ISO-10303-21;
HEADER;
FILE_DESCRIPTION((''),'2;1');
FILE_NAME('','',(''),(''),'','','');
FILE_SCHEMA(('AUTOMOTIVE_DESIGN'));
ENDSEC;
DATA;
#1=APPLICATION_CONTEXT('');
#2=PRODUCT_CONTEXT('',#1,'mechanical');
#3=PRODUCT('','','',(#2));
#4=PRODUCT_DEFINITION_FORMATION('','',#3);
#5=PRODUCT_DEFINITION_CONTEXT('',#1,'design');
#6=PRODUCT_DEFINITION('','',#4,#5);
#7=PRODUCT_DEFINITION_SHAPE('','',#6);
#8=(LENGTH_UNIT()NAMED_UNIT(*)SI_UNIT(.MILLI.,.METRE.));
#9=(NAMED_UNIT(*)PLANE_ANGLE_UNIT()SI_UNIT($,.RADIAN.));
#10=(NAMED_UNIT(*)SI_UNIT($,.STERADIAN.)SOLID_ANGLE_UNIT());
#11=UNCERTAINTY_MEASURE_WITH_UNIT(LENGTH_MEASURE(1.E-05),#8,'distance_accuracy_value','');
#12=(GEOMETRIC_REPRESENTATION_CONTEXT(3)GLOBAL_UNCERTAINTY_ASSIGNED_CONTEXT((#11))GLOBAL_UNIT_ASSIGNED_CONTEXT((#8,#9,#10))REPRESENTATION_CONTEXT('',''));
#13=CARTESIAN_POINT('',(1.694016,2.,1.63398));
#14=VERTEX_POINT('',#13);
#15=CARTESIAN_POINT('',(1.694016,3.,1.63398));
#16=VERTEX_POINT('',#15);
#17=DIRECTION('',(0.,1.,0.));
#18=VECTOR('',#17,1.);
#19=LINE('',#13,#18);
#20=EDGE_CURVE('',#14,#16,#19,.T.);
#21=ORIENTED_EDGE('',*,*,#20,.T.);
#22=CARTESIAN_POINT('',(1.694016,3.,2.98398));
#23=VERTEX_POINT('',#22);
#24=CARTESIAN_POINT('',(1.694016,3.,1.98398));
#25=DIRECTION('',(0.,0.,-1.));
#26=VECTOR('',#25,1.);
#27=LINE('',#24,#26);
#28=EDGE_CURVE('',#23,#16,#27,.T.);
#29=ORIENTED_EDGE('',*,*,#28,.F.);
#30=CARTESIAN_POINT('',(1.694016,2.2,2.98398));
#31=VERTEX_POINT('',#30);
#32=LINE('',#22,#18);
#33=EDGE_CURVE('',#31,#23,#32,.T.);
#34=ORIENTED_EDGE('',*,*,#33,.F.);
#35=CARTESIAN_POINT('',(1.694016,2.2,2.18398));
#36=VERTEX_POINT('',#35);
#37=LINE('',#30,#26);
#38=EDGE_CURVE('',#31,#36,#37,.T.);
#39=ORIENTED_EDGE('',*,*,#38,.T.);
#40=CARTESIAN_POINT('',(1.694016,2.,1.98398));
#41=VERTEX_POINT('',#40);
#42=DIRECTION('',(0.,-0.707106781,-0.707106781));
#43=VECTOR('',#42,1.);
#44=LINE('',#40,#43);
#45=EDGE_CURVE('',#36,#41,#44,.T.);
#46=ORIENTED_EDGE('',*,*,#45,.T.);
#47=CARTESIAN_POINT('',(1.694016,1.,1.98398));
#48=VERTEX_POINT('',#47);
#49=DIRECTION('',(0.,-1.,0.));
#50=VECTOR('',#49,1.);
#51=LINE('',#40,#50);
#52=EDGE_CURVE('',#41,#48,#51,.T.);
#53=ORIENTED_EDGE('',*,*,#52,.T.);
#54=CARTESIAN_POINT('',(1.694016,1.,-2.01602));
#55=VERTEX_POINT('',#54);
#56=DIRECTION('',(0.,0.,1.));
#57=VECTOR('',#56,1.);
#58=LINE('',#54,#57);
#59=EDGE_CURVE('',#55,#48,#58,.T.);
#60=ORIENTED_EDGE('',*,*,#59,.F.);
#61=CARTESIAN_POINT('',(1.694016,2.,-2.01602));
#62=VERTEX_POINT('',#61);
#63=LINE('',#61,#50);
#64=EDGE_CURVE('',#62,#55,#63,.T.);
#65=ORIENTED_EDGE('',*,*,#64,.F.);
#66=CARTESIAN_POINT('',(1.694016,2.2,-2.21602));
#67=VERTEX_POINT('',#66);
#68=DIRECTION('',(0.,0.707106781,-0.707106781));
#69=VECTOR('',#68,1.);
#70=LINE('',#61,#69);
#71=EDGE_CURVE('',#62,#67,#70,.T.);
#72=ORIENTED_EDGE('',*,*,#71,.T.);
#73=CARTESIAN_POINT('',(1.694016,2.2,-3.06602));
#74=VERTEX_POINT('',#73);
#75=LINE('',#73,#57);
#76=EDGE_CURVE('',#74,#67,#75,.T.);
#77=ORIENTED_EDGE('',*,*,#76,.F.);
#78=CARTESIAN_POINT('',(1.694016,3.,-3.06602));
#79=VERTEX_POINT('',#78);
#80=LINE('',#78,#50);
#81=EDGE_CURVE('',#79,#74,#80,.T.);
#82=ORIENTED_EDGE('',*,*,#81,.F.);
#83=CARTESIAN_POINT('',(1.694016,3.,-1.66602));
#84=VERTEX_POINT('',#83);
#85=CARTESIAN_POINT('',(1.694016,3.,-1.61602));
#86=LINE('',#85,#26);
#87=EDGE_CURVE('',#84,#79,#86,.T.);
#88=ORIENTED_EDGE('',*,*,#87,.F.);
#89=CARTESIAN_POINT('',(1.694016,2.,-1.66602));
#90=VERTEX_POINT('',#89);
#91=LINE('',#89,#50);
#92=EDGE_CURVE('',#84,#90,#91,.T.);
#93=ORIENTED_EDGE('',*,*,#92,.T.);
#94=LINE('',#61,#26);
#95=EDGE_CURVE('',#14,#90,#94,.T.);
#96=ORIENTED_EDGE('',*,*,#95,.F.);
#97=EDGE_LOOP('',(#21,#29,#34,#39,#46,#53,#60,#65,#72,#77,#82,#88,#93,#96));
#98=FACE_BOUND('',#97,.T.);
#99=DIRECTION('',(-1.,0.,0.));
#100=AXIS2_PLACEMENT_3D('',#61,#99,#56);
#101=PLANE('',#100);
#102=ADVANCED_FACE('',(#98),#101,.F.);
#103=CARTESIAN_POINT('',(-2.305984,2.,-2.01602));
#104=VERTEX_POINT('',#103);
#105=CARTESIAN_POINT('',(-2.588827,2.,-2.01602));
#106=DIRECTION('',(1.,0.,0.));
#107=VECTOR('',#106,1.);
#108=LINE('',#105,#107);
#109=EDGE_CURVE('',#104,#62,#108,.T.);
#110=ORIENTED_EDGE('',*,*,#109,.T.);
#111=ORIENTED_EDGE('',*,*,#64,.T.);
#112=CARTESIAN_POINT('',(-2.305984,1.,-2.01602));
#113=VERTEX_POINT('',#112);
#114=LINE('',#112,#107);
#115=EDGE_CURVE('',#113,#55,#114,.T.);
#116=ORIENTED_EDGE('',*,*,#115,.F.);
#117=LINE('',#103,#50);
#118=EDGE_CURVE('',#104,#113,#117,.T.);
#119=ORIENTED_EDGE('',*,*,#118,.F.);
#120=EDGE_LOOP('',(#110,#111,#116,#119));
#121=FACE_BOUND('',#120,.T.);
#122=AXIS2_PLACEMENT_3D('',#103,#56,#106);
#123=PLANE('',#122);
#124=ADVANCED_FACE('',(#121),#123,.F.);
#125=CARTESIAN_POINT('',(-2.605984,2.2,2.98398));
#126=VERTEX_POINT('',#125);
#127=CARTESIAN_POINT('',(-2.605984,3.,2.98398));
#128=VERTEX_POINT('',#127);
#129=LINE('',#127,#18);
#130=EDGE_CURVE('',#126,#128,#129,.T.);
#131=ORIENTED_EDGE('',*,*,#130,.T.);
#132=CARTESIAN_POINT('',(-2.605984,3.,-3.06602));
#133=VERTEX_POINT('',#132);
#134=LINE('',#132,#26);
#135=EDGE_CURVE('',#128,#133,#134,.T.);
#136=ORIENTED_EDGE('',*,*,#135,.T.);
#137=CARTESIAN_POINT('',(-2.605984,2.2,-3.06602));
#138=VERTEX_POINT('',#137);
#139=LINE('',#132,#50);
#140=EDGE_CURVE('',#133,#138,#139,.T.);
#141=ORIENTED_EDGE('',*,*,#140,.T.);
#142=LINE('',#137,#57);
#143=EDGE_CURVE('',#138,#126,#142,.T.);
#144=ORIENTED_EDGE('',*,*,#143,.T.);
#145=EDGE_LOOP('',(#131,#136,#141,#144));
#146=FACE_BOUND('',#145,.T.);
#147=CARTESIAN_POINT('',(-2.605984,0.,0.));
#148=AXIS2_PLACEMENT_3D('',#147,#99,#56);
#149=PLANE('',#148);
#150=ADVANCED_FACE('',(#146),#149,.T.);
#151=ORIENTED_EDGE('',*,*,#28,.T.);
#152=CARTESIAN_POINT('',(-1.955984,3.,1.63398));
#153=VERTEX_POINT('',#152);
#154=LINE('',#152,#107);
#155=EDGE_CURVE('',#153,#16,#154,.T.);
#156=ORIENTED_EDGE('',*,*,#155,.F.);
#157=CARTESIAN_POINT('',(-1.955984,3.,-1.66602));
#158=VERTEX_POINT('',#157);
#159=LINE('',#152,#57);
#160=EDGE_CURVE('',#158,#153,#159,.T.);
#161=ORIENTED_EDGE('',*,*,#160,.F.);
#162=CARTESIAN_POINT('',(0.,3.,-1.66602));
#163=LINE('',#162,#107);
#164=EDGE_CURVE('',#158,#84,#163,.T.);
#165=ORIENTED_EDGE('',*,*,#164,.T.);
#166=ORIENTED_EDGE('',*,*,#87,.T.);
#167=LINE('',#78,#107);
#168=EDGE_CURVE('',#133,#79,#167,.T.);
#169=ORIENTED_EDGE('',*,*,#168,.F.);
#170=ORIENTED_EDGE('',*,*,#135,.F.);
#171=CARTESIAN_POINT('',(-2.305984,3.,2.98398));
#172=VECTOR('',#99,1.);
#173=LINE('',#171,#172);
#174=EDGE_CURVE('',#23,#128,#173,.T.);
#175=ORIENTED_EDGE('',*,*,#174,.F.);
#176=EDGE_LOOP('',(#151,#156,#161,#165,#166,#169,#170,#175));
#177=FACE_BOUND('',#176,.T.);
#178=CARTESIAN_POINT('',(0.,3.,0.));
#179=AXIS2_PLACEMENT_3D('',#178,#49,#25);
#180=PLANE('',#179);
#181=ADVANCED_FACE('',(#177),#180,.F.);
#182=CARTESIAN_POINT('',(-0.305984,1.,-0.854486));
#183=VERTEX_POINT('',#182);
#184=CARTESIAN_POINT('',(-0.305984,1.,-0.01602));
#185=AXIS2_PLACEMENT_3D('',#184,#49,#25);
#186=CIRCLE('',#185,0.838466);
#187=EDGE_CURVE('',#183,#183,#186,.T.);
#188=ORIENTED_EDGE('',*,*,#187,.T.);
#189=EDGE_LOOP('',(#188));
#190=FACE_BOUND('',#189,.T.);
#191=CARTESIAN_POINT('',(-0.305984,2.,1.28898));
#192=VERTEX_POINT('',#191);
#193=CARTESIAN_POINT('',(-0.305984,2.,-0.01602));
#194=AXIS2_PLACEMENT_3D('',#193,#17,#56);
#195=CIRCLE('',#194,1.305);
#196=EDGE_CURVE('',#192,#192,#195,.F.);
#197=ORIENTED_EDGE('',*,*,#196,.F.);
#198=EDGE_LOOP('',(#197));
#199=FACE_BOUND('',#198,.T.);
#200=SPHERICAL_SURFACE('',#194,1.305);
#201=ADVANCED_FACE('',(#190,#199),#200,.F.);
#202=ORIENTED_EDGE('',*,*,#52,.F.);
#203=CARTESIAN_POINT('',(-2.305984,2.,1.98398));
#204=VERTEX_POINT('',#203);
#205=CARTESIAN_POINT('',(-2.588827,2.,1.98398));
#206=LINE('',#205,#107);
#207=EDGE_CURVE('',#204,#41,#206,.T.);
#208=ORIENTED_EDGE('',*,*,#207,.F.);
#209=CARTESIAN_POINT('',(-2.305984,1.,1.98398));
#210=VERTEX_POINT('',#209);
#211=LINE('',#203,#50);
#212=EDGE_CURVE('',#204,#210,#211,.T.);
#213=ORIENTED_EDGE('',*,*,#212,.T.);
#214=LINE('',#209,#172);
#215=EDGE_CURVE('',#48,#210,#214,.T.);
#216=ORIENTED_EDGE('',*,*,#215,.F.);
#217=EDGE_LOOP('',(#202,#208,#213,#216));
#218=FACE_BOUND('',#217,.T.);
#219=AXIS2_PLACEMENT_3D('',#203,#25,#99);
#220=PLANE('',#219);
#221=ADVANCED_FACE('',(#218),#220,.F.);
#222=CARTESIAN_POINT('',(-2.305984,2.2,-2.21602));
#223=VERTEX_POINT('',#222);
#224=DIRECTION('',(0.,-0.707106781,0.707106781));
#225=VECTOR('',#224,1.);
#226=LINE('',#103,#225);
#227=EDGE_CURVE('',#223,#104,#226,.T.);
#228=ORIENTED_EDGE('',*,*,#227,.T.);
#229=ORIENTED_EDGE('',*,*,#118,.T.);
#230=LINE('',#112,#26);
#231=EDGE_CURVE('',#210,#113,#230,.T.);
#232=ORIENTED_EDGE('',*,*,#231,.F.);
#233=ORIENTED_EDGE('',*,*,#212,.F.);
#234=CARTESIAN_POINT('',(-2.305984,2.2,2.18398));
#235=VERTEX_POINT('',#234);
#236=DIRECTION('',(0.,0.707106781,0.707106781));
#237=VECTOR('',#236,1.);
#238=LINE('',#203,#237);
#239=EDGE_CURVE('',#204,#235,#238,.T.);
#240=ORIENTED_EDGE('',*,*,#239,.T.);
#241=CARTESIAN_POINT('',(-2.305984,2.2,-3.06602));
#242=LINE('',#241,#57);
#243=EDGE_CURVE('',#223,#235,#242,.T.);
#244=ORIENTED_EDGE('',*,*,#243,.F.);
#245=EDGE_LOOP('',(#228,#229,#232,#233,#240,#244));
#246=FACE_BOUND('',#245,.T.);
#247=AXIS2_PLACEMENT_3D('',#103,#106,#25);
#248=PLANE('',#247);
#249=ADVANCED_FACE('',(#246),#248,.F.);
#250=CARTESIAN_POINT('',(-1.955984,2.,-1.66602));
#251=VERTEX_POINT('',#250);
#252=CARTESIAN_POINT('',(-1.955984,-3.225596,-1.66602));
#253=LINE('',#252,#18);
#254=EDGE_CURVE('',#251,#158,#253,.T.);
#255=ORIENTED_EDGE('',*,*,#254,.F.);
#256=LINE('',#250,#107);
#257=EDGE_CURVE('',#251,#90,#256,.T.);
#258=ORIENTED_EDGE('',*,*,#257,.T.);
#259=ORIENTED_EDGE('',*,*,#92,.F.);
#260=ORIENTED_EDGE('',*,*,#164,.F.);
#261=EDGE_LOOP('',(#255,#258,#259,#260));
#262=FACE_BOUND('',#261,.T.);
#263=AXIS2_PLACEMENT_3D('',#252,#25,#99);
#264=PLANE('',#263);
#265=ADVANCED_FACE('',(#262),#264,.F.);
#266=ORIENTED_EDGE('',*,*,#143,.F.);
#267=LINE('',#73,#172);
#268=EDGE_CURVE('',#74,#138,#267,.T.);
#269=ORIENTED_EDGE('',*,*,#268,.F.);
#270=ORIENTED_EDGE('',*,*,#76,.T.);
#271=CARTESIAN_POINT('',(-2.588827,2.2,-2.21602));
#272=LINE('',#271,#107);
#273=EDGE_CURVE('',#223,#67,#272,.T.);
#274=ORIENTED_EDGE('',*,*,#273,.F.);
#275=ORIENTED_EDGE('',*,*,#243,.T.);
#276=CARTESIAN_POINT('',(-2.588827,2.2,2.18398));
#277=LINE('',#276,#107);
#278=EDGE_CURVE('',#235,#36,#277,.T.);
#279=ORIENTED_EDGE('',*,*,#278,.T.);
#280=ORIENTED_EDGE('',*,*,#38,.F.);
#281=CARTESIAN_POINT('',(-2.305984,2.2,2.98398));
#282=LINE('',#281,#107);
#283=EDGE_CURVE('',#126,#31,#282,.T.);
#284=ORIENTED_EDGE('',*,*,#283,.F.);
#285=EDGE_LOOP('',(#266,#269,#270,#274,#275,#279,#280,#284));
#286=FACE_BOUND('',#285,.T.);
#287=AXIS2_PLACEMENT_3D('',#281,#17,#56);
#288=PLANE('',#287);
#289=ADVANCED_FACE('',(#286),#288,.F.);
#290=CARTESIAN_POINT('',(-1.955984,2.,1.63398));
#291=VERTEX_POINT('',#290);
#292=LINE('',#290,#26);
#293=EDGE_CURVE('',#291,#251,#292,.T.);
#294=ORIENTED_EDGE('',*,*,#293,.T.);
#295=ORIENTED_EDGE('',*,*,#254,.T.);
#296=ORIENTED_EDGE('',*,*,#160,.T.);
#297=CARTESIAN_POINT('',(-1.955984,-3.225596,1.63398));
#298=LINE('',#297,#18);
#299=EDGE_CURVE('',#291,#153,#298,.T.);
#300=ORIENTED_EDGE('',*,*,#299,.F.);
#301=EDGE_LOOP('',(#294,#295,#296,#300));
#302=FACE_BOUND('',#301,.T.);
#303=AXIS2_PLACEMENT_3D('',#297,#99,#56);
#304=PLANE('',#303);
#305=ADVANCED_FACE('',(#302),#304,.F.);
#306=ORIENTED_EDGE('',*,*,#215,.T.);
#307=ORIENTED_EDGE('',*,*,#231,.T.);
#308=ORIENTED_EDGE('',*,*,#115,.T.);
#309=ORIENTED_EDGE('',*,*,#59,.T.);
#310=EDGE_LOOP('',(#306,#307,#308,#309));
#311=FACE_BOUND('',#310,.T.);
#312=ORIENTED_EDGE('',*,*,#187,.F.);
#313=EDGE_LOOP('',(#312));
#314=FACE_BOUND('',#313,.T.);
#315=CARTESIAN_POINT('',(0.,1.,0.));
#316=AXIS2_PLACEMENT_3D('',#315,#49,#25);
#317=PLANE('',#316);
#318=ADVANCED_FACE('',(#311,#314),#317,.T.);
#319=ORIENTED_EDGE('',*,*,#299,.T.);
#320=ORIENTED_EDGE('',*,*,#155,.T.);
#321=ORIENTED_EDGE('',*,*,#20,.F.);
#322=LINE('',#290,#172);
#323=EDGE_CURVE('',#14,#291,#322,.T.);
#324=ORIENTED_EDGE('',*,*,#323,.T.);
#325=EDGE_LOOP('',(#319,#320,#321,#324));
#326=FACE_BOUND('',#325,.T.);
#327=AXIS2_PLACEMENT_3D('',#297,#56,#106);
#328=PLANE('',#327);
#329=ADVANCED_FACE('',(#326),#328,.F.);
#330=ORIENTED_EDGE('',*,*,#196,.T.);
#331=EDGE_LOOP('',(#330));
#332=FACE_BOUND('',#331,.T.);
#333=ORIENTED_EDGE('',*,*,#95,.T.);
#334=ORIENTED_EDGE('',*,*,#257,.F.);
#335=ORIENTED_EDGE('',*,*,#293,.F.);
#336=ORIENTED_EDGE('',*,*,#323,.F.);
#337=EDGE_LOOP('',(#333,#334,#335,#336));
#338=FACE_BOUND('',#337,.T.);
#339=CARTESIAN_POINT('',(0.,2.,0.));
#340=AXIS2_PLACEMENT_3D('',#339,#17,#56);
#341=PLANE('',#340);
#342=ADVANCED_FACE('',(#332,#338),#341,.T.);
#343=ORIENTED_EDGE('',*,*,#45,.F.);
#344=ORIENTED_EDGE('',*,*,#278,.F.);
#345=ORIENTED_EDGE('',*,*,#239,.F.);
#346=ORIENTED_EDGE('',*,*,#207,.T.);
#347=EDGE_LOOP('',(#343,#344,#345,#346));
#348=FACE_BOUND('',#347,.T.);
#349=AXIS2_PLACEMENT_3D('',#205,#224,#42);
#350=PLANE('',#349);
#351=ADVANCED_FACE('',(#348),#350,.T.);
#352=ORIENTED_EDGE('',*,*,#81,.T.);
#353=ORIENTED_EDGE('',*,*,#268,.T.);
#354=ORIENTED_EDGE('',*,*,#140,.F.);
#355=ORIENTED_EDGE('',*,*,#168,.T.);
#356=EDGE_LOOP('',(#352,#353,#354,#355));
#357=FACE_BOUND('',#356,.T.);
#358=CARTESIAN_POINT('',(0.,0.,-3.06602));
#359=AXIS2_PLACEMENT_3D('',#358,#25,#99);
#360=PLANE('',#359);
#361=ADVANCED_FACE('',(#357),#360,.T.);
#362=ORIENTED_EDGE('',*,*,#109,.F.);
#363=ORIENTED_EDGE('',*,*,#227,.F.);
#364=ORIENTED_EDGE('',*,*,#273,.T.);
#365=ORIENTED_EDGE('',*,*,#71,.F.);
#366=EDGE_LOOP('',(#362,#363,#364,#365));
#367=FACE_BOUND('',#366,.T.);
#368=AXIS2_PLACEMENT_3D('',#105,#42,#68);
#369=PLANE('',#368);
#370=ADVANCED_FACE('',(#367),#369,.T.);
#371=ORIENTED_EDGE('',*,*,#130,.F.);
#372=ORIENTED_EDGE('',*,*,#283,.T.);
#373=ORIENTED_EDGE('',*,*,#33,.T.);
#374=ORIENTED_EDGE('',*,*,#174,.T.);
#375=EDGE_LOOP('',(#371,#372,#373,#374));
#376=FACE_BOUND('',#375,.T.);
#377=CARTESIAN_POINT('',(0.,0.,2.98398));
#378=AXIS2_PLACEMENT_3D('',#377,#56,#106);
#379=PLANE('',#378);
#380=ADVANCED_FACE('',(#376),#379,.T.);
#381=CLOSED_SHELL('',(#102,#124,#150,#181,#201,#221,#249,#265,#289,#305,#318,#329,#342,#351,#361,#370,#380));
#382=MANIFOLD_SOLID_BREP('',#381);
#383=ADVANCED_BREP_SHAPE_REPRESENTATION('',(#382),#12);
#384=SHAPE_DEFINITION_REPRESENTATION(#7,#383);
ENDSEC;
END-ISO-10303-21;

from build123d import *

# Parameters (mm, degrees)
SKETCH1_W           = 4
SKETCH1_H           = 4
BOSS_EXTRUDE1_DEPTH = 2
SKETCH3_W           = 6.995739113
SKETCH3_H           = 4.795831112
CUT_EXTRUDE1_DEPTH  = 1
BOSS_EXTRUDE2_DEPTH = 1
SKETCH5_W           = 4
SKETCH5_H           = 0.8
BOSS_EXTRUDE3_DEPTH = 1
SKETCH6_W           = 4
SKETCH6_H           = 0.8
BOSS_EXTRUDE4_DEPTH = 1
SKETCH8_W           = 4
SKETCH8_H           = 0.05
CUT_EXTRUDE2_DEPTH  = 0.2
SKETCH9_W           = 6.05
SKETCH9_H           = 0.8
BOSS_EXTRUDE6_DEPTH = 0.3
SKETCH10_W          = 4.051772222
SKETCH10_H          = 3.3
CUT_EXTRUDE3_DEPTH  = 1
BOSS_EXTRUDE7_DEPTH = 4
BOSS_EXTRUDE8_DEPTH = 4


with BuildPart() as part:
    # Sketch1 → Boss-Extrude1 (new body)
    with BuildSketch(Plane(origin=(0, 0, 0), x_dir=(1, 0, 0), z_dir=(0, 1, 0))):
        with Locations((-0.305984445, 0.016020496)):
            Rectangle(SKETCH1_W, SKETCH1_H)
    extrude(amount=BOSS_EXTRUDE1_DEPTH)

    # Sketch2 → Cut-Revolve1 (revolve, cut)
    with BuildSketch(Plane(origin=(0, 2, 0), x_dir=(1, 0, 0), z_dir=(0, 1, 0))):
        with BuildLine():
            Line((-0.305984445, -1.288979504), (-0.305984445, 1.321020496))
            ThreePointArc((-0.305984445, 1.321020496), (-1.610984445, 0.016020496), (-0.305984445, -1.288979504))
        make_face()
    revolve(axis=Axis((-0.305984445, 2, 1.288979504), (0, 0, -1)), mode=Mode.SUBTRACT)

    # Sketch3 → Cut-Extrude1 (cut)
    with BuildSketch(Plane.XZ):
        with Locations((-1.219435612, 0.226207457)):
            Rectangle(SKETCH3_W, SKETCH3_H)
    extrude(amount=-CUT_EXTRUDE1_DEPTH, mode=Mode.SUBTRACT)

    # Sketch4 → Boss-Extrude2 (add)
    with BuildSketch(Plane(origin=(0, 2, 0), x_dir=(1, 0, 0), z_dir=(0, 1, 0))):
        Polygon((-1.905984445, -1.583979504), (1.515020657, -1.583979504), (1.694015555, -1.583979504), (1.694015555, -1.983979504), (-2.305984445, -1.983979504), (-2.305984445, 2.066020496), (1.694015555, 2.066020496), (1.694015555, 1.616020496), (1.515020657, 1.616020496), (-1.905984445, 1.616020496), align=None)
    extrude(amount=BOSS_EXTRUDE2_DEPTH)

    # Sketch5 → Boss-Extrude3 (add)
    with BuildSketch(Plane.XY.offset(1.983979504)):
        with Locations((-0.305984445, 2.6)):
            Rectangle(SKETCH5_W, SKETCH5_H)
    extrude(amount=BOSS_EXTRUDE3_DEPTH)

    # Sketch6 → Boss-Extrude4 (add)
    with BuildSketch(Plane(origin=(0, 0, -2.066020496), x_dir=(-1, 0, 0), z_dir=(0, 0, -1))):
        with Locations((0.305984445, 2.6)):
            Rectangle(SKETCH6_W, SKETCH6_H)
    extrude(amount=BOSS_EXTRUDE4_DEPTH)

    # Sketch8 → Cut-Extrude2 (cut)
    with BuildSketch(Plane.XZ.offset(-2)):
        with Locations((-0.305984445, -2.041020496)):
            Rectangle(SKETCH8_W, SKETCH8_H)
    extrude(amount=-CUT_EXTRUDE2_DEPTH, mode=Mode.SUBTRACT)

    # Sketch9 → Boss-Extrude6 (add)
    with BuildSketch(Plane.ZY.offset(2.305984445)):
        with Locations((-0.041020496, 2.6)):
            Rectangle(SKETCH9_W, SKETCH9_H)
    extrude(amount=BOSS_EXTRUDE6_DEPTH)

    # Sketch10 → Cut-Extrude3 (cut)
    with BuildSketch(Plane(origin=(0, 3, 0), x_dir=(1, 0, 0), z_dir=(0, 1, 0))):
        with Locations((0.069901666, 0.016020496)):
            Rectangle(SKETCH10_W, SKETCH10_H)
    extrude(amount=-CUT_EXTRUDE3_DEPTH, mode=Mode.SUBTRACT)

    # Sketch11 → Boss-Extrude7 (add)
    with BuildSketch(Plane(origin=(1.694015555, 0, 0), x_dir=(0, 0, -1), z_dir=(1, 0, 0))):
        Polygon((-1.983979504, 2), (-2.183979504, 2.2), (-1.983979504, 2.2), align=None)
    extrude(amount=-BOSS_EXTRUDE7_DEPTH)

    # Sketch12 → Boss-Extrude8 (add)
    with BuildSketch(Plane(origin=(1.694015555, 0, 0), x_dir=(0, 0, -1), z_dir=(1, 0, 0))):
        Polygon((2.016020496, 2.2), (2.016020496, 2), (2.216020496, 2.2), align=None)
    extrude(amount=-BOSS_EXTRUDE8_DEPTH)


solid = part.part
